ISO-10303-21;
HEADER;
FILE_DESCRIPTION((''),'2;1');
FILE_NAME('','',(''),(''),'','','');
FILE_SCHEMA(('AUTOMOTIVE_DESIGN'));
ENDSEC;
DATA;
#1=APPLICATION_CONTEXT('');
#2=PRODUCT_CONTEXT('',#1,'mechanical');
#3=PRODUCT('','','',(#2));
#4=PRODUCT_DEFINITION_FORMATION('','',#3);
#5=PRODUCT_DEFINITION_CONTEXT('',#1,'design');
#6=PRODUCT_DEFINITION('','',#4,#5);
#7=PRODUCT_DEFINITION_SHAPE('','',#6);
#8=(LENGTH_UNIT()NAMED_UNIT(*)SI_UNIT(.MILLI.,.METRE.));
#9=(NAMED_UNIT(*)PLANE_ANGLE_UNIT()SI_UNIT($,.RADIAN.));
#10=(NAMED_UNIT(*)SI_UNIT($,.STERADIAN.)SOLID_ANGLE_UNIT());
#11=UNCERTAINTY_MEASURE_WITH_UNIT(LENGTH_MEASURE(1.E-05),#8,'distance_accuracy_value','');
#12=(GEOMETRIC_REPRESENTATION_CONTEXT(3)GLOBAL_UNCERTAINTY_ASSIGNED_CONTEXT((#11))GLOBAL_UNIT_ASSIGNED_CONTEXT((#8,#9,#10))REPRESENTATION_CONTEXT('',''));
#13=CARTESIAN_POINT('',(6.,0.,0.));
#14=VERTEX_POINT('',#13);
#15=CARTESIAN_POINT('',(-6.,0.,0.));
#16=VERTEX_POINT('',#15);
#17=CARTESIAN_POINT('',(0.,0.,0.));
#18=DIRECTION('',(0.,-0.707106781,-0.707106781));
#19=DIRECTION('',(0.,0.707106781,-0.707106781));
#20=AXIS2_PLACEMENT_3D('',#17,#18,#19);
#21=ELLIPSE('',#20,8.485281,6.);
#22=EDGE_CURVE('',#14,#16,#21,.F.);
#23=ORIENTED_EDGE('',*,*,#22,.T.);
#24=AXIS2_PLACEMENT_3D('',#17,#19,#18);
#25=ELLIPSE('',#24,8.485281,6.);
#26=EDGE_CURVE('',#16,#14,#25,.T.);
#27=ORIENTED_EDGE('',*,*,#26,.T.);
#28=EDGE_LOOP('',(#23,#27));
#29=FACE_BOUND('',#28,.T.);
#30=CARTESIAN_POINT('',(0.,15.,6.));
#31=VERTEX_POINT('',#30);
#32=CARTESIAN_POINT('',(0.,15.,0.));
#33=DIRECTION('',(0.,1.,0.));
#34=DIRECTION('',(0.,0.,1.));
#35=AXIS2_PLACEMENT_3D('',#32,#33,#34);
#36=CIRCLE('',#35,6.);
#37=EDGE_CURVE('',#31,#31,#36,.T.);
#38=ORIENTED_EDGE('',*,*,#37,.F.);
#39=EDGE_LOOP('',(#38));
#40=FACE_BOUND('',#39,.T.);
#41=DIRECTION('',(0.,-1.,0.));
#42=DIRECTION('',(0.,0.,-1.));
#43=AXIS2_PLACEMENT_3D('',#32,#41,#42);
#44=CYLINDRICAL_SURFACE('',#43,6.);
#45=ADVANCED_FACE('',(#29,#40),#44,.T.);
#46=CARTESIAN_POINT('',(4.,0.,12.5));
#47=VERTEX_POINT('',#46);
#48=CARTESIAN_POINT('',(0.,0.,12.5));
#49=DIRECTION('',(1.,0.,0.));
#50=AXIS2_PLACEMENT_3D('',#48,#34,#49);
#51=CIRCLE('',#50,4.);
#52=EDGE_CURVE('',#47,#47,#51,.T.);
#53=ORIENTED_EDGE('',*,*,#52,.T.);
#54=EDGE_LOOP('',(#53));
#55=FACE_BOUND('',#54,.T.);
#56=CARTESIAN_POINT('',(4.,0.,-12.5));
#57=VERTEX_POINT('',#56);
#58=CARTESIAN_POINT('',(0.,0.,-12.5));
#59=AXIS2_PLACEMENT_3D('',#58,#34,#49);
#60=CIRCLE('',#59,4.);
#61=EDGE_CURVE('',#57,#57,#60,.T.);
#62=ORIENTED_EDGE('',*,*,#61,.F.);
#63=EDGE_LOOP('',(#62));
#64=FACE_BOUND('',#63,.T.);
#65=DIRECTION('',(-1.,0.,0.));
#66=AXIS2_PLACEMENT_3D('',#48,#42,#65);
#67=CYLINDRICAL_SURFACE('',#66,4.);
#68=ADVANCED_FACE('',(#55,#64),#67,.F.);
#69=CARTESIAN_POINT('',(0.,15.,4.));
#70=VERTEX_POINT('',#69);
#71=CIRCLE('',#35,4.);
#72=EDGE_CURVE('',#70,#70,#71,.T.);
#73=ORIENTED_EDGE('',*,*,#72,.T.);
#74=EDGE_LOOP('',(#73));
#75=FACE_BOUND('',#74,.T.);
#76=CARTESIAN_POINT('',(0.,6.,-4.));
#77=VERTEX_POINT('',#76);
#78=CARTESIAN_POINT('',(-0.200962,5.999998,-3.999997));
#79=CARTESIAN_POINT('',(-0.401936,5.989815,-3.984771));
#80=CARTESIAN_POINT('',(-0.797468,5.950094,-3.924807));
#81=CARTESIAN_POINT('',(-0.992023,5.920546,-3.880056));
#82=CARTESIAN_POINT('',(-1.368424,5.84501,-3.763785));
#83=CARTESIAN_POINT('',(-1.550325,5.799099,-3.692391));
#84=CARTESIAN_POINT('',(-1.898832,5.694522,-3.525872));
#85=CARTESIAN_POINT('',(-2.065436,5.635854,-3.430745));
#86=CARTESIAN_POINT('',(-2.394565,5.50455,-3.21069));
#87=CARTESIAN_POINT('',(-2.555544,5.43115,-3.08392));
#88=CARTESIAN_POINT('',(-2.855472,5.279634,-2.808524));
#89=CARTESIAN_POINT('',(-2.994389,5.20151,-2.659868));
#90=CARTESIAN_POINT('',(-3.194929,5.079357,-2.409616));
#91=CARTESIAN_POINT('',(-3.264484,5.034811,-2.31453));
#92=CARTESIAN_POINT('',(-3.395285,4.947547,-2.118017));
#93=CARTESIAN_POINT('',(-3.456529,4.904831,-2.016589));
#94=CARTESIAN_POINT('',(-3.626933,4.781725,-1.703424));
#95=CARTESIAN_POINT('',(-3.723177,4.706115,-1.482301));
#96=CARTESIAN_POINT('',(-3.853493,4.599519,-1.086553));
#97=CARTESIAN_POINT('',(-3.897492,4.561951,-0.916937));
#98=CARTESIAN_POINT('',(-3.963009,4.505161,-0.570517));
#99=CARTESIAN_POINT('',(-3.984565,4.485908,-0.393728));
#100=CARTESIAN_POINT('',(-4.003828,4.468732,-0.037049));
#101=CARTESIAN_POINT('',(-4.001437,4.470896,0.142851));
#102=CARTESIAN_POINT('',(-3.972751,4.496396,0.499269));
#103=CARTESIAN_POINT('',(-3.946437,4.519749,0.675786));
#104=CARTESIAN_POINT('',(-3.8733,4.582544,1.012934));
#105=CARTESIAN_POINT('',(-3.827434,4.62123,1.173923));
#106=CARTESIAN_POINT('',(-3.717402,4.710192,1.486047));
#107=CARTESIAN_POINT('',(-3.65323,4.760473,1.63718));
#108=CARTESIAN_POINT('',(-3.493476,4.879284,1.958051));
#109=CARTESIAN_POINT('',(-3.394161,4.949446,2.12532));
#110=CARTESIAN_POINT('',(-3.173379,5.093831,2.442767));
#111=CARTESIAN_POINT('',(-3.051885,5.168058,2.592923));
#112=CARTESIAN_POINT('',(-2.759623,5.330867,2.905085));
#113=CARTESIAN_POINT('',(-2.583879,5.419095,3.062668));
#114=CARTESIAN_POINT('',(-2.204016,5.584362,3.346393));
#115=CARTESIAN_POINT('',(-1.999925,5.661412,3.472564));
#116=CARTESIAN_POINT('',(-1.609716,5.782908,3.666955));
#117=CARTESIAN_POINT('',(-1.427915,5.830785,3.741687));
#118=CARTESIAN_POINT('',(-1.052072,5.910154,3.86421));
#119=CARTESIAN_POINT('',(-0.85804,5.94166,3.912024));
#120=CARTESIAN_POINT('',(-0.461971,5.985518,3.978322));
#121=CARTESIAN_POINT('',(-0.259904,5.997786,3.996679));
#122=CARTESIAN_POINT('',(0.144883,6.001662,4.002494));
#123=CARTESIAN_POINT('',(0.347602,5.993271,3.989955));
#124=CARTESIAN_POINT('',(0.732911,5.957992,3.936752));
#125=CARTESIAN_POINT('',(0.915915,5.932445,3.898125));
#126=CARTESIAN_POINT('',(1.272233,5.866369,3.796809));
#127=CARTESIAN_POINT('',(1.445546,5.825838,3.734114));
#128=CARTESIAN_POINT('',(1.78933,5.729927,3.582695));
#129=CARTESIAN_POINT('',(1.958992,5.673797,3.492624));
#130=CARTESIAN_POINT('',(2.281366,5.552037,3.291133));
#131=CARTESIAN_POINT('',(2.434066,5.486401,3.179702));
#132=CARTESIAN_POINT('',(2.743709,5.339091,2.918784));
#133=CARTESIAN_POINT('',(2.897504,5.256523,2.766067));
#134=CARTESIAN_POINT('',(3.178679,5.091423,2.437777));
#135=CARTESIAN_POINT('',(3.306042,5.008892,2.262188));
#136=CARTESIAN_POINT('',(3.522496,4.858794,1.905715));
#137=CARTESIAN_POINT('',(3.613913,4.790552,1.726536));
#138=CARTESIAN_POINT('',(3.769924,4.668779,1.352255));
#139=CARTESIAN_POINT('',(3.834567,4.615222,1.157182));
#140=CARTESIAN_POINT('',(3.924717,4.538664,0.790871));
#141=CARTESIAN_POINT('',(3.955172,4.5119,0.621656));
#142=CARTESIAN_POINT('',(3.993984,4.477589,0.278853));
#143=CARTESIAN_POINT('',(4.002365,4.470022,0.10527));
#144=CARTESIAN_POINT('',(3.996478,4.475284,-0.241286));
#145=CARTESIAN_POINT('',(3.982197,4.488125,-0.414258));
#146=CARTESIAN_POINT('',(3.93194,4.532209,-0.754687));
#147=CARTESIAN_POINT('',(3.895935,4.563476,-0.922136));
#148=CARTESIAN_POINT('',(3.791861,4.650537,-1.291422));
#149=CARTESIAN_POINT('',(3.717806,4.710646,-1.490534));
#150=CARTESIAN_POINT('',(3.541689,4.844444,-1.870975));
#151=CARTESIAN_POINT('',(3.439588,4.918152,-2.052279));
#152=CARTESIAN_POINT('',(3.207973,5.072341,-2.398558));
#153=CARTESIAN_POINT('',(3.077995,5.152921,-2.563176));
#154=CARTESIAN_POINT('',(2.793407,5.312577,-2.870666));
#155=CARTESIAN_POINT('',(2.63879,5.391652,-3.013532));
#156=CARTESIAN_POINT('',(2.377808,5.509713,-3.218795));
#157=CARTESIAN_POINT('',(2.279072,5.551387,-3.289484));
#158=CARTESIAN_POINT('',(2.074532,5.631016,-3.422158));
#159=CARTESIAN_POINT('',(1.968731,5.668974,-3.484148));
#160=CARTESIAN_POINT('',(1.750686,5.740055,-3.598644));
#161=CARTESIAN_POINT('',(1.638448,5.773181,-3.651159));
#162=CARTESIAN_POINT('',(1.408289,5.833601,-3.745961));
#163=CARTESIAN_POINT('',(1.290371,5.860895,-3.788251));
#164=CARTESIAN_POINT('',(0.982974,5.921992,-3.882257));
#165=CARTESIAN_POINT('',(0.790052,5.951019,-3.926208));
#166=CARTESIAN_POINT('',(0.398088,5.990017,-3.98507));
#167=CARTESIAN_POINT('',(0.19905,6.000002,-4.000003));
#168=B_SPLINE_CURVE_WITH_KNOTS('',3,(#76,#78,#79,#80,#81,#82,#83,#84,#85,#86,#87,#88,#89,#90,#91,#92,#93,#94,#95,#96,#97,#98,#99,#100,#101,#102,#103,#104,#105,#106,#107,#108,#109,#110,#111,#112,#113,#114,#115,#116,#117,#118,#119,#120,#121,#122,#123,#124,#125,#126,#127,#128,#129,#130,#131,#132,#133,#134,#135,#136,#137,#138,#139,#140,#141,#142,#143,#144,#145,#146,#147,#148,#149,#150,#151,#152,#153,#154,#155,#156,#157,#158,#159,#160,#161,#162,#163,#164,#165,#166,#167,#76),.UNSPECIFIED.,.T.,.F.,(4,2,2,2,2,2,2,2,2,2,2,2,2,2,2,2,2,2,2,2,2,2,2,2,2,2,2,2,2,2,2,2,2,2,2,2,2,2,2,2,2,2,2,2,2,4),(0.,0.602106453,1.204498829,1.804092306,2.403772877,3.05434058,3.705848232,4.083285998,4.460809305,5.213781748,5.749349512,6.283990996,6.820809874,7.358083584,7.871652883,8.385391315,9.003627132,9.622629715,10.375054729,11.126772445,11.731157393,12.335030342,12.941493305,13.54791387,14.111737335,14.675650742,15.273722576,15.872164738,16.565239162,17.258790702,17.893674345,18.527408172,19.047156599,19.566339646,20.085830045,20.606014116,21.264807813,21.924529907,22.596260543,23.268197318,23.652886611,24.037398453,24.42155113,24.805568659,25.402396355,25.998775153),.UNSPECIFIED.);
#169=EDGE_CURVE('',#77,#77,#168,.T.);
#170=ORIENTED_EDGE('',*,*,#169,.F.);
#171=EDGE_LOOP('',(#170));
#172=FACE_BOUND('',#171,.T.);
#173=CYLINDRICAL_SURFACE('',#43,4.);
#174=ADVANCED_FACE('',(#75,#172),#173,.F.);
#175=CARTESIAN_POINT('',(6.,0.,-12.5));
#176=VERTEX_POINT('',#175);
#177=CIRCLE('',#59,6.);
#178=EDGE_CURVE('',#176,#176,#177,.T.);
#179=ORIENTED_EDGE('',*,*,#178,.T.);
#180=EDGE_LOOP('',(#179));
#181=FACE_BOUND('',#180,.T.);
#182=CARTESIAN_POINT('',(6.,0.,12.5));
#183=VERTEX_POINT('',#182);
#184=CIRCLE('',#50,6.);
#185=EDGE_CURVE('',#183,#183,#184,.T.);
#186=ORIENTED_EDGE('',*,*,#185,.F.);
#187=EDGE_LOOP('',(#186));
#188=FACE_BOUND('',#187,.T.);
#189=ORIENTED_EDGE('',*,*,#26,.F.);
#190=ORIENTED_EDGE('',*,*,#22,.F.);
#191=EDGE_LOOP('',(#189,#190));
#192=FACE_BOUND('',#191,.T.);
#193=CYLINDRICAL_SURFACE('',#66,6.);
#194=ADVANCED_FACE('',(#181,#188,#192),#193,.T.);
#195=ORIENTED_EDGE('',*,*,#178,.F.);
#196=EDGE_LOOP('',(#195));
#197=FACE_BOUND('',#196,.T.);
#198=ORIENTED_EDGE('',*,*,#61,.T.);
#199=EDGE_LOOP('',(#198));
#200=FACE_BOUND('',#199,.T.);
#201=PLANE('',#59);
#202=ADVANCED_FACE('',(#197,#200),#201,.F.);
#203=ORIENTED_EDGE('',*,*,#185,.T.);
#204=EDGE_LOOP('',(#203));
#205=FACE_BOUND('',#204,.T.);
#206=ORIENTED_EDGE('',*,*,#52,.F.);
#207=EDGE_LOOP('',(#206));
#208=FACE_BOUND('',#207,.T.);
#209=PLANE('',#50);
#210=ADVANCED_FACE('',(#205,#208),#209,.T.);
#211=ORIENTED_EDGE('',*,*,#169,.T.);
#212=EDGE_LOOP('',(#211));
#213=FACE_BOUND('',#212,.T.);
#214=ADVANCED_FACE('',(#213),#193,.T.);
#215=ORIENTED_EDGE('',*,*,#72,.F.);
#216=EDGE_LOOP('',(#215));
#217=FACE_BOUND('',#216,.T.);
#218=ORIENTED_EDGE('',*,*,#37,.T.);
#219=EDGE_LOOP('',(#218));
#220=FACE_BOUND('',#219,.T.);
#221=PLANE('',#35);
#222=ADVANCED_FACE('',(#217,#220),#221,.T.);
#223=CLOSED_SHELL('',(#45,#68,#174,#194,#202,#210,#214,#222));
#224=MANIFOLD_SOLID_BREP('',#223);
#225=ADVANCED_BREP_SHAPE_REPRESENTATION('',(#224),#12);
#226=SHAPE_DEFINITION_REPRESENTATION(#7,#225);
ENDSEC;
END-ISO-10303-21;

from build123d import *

# Parameters (mm, degrees)
SKETCH1_R           = 6
SKETCH1_R_2         = 4
BOSS_EXTRUDE1_DEPTH = 12.5
SKETCH2_R           = 6
SKETCH2_R_2         = 4
BOSS_EXTRUDE2_DEPTH = 15
CUT_EXTRUDE1_START  = -25
SKETCH3_R           = 4
CUT_EXTRUDE1_DEPTH  = 25


with BuildPart() as part:
    # Sketch1 → Boss-Extrude1 (new, symmetric)
    with BuildSketch(Plane.XY):
        Circle(SKETCH1_R)
        Circle(SKETCH1_R_2, mode=Mode.SUBTRACT)
    extrude(amount=BOSS_EXTRUDE1_DEPTH, both=True)

    # Sketch2 → Boss-Extrude2 (add)
    with BuildSketch(Plane(origin=(0, 0, 0), x_dir=(1, 0, 0), z_dir=(0, 1, 0))):
        Circle(SKETCH2_R)
        with Locations(Location((0, 0, 0), (0, 0, 90))):
            Circle(SKETCH2_R_2, mode=Mode.SUBTRACT)
    extrude(amount=BOSS_EXTRUDE2_DEPTH)

    # Sketch3 → Cut-Extrude1 (cut)
    with BuildSketch(Plane.XY.offset(12.5).offset(CUT_EXTRUDE1_START)):
        Circle(SKETCH3_R)
    extrude(amount=CUT_EXTRUDE1_DEPTH, mode=Mode.SUBTRACT)


solid = part.part
